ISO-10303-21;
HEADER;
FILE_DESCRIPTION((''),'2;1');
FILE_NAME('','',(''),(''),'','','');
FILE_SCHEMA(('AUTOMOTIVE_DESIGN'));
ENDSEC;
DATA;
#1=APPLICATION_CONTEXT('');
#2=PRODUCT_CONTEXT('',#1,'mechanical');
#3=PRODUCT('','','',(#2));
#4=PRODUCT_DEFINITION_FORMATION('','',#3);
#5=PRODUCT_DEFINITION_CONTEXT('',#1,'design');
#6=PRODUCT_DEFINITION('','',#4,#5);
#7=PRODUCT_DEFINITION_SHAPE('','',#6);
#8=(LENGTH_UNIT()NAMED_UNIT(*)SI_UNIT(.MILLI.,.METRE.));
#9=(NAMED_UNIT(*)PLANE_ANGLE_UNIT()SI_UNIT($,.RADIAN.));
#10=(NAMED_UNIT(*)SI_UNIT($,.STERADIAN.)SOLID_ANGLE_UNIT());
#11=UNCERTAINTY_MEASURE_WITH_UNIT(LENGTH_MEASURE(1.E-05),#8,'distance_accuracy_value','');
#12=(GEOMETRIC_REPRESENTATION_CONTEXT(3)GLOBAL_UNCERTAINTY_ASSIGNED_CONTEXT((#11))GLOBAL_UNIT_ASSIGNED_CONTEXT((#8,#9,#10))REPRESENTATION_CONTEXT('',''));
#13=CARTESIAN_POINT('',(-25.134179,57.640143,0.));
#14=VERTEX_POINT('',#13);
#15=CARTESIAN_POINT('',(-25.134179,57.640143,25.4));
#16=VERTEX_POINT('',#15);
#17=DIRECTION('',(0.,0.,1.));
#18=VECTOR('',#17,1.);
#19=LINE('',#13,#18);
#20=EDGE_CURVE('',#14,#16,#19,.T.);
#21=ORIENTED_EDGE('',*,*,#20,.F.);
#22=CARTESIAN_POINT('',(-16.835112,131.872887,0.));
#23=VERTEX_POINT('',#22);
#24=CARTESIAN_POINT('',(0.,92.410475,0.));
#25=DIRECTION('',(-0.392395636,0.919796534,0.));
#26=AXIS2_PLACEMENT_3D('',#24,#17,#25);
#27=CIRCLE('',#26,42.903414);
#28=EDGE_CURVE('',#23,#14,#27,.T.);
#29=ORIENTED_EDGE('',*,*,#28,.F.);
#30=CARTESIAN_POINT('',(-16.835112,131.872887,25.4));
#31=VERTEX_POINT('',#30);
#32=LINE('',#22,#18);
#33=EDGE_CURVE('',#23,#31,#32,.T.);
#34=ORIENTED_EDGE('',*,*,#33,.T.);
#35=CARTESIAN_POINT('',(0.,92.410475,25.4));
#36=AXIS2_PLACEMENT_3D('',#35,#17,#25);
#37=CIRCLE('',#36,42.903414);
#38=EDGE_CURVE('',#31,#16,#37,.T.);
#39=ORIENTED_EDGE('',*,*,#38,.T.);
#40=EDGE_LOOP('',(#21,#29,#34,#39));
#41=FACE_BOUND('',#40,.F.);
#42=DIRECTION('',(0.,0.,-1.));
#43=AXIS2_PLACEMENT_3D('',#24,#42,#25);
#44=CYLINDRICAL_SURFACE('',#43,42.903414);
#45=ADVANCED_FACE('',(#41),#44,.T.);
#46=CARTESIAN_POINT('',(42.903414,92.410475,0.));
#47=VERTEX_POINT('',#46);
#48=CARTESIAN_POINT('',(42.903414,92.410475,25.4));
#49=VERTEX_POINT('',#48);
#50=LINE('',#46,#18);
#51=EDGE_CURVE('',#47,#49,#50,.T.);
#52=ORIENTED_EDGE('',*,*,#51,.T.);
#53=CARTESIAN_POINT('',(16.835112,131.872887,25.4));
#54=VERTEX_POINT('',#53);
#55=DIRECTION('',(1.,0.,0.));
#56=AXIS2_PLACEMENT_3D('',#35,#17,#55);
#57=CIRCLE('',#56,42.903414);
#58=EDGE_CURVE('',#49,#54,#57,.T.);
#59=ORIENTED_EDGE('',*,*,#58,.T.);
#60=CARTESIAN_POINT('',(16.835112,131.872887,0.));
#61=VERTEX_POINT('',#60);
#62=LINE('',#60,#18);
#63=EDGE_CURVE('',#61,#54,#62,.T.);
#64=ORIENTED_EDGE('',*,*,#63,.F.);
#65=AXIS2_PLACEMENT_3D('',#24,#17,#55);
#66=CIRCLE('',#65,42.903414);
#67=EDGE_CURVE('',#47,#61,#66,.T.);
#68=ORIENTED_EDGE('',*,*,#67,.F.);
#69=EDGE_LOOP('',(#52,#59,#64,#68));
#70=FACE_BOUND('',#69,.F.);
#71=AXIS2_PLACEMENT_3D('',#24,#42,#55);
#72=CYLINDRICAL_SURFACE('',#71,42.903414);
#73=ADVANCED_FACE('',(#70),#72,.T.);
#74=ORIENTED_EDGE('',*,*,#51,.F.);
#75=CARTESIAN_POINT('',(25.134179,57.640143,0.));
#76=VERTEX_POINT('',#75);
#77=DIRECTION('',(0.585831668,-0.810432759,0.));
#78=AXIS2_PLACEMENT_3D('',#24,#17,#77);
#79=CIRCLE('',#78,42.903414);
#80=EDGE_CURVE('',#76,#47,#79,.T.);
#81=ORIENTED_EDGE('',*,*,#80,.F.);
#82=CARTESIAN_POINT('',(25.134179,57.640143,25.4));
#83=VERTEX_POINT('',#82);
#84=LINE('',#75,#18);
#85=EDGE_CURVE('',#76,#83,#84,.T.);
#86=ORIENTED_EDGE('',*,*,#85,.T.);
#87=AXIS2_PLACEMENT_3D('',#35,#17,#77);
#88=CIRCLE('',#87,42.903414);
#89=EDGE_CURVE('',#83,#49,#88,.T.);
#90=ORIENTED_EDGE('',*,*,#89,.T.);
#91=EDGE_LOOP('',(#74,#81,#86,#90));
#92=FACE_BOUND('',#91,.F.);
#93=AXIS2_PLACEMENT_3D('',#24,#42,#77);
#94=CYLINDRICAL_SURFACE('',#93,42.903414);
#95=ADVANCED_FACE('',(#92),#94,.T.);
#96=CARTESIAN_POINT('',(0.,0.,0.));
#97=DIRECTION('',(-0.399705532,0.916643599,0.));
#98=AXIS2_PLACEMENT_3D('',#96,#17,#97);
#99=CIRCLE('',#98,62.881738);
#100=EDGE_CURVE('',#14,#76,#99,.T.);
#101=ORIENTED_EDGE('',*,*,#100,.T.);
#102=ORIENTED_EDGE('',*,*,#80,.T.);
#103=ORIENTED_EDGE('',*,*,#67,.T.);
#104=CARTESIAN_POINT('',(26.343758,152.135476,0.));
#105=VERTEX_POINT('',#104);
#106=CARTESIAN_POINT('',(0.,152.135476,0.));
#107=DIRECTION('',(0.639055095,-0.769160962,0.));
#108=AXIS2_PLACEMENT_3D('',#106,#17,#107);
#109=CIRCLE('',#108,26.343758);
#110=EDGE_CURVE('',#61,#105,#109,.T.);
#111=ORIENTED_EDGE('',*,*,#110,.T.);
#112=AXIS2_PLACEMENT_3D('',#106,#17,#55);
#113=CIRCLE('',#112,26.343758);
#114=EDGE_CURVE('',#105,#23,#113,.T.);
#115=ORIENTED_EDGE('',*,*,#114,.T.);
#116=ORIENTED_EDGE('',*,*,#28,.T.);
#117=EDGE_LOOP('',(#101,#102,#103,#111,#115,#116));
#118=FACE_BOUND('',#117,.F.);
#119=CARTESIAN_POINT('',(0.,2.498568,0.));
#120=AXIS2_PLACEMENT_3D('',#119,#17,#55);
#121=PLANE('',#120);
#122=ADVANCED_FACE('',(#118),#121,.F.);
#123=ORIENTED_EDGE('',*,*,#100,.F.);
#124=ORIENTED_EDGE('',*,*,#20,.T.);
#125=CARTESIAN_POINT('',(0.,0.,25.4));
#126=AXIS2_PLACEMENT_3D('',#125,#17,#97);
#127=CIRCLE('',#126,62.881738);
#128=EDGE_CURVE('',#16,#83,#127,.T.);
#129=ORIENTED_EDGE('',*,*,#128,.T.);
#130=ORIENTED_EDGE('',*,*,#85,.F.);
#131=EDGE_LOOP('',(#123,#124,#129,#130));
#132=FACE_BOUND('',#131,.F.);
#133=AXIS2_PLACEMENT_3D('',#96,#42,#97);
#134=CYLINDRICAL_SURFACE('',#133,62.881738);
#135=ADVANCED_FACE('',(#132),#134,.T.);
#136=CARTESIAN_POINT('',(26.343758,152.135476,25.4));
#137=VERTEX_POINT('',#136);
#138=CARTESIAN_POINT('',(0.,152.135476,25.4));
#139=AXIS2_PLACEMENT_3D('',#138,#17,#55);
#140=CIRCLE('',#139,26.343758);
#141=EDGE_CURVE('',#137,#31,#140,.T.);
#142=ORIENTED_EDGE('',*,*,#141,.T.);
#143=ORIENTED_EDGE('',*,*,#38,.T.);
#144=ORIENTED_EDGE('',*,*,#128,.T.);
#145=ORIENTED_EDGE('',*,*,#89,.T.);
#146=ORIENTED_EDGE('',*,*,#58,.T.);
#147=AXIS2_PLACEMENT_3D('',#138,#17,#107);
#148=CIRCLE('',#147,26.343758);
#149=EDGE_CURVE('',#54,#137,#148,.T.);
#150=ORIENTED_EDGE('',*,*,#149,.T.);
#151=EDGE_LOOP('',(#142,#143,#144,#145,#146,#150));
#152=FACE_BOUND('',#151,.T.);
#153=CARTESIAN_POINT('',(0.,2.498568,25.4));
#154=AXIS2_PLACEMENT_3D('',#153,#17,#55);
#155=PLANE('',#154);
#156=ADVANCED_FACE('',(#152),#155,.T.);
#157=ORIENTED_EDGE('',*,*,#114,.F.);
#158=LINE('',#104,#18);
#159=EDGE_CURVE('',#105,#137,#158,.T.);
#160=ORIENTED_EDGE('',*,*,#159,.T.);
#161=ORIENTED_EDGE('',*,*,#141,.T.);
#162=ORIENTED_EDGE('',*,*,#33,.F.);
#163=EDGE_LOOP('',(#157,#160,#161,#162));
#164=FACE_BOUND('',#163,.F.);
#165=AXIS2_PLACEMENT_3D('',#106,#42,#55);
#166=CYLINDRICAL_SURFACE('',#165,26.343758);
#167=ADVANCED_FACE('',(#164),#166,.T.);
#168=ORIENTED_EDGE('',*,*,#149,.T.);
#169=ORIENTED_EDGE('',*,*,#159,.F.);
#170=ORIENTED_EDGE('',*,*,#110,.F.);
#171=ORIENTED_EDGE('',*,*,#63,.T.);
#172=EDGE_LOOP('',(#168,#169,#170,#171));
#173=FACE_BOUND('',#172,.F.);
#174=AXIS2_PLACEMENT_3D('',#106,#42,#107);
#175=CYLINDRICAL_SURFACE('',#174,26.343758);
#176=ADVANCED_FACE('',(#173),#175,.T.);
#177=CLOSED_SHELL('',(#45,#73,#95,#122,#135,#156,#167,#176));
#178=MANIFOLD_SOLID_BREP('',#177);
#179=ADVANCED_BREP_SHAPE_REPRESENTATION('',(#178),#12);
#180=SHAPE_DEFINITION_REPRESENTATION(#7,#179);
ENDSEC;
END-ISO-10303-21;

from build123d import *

# Parameters (mm, degrees)
F1_DEPTH = 25.4


with BuildPart() as f1:
    # F0 (on Top) → F1 (new body)
    with BuildSketch(Plane.XY):
        with BuildLine():
            ThreePointArc((-25.1341786331, 57.6401427844), (-34.4501970658, -52.6051035347), (62.8817381739, 0))
            ThreePointArc((62.8817381739, 0), (52.6051035347, 34.4501970658), (25.1341786331, 57.6401427844))
            ThreePointArc((25.1341786331, 57.6401427844), (0, 49.5070609437), (-25.1341786331, 57.6401427844))
        make_face()
        with BuildLine():
            ThreePointArc((-25.1341786331, 57.6401427844), (0, 49.5070609437), (25.1341786331, 57.6401427844))
            ThreePointArc((25.1341786331, 57.6401427844), (0, 62.8817381739), (-25.1341786331, 57.6401427844))
        make_face()
        with BuildLine():
            ThreePointArc((-25.1341786331, 57.6401427844), (0, 62.8817381739), (25.1341786331, 57.6401427844))
            ThreePointArc((25.1341786331, 57.6401427844), (38.2036975454, 72.8866323384), (42.903414072, 92.4104750156))
            ThreePointArc((42.903414072, 92.4104750156), (35.7979520386, 116.0580873449), (16.8351124708, 131.8728865883))
            ThreePointArc((16.8351124708, 131.8728865883), (0, 125.7917189434), (-16.8351124708, 131.8728865883))
            ThreePointArc((-16.8351124708, 131.8728865883), (-42.6377815101, 97.1772901923), (-25.1341786331, 57.6401427844))
        make_face()
        with BuildLine():
            ThreePointArc((26.3437575266, 152.13547647), (-11.1913680968, 175.9838902692), (-16.8351124708, 131.8728865883))
            ThreePointArc((-16.8351124708, 131.8728865883), (0, 135.3138890876), (16.8351124708, 131.8728865883))
            ThreePointArc((16.8351124708, 131.8728865883), (23.8484137992, 140.9441083732), (26.3437575266, 152.13547647))
        make_face()
        with BuildLine():
            ThreePointArc((16.8351124708, 131.8728865883), (0, 135.3138890876), (-16.8351124708, 131.8728865883))
            ThreePointArc((-16.8351124708, 131.8728865883), (0, 125.7917189434), (16.8351124708, 131.8728865883))
        make_face()
    extrude(amount=F1_DEPTH)


solid = f1.part
